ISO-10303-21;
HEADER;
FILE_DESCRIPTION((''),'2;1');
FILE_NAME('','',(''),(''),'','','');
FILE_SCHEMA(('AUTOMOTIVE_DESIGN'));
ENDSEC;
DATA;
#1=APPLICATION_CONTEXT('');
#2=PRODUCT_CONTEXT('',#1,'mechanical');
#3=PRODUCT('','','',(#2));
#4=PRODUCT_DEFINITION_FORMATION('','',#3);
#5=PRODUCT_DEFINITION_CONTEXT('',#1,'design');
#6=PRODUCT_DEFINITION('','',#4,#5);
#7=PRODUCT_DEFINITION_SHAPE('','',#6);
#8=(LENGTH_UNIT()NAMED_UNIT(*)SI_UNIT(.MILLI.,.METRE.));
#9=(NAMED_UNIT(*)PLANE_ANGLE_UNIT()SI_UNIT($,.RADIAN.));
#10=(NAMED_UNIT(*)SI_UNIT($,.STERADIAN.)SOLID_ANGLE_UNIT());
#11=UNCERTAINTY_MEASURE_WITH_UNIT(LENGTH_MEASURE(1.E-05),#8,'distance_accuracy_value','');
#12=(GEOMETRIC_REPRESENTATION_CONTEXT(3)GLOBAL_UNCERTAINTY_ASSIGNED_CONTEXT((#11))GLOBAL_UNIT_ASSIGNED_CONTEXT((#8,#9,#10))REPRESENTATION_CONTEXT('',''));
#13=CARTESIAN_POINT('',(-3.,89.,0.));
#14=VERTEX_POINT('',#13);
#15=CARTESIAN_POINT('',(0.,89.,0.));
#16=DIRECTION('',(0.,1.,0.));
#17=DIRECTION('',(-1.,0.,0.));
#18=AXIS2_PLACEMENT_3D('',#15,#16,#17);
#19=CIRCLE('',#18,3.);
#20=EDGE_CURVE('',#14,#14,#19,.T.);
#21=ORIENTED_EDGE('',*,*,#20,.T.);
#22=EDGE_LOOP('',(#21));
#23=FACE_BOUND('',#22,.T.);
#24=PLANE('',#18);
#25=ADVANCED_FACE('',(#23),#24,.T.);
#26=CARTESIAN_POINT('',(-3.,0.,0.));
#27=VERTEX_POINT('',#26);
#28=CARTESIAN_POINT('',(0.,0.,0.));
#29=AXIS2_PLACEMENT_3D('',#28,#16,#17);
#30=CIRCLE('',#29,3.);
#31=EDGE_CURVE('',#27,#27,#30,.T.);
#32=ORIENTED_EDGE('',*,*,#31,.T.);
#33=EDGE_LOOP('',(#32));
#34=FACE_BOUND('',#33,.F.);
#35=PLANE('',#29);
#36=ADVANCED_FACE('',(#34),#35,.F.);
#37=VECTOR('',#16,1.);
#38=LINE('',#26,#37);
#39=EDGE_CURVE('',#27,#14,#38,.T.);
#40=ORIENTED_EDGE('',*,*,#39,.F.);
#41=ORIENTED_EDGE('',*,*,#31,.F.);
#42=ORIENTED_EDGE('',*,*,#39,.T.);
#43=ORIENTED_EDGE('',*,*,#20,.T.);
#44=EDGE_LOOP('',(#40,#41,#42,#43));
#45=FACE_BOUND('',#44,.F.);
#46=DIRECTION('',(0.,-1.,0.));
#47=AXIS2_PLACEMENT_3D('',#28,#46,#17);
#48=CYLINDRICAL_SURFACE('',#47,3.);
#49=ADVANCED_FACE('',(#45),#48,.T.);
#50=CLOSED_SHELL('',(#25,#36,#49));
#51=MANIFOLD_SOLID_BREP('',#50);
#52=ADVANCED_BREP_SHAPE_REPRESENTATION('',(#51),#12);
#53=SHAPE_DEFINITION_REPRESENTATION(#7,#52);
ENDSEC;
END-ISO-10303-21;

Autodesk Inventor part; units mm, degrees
ref_plane "YZ Plane" through (0, 0, 0) normal (1, 0, 0) x (0, 1, 0)
ref_plane "XZ Plane" through (0, 0, 0) normal (0, 1, 0) x (-1, 0, 0)
ref_plane "XY Plane" through (0, 0, 0) normal (0, 0, 1) x (1, 0, 0)
sketch "Sketch1" plane through (0, 0, 0) normal (0, 1, 0) x (-1, 0, 0)
  circle A0 centre (0, 0) radius 3
  dimension "d0" = 6
extrude "Extrusion1" add sketch "Sketch1" along normal blind 89
thread "Thread1" size "M6x1" class "6g" standard "ANSI Metric M Profile" length 14.5
properties part number "shaft"
